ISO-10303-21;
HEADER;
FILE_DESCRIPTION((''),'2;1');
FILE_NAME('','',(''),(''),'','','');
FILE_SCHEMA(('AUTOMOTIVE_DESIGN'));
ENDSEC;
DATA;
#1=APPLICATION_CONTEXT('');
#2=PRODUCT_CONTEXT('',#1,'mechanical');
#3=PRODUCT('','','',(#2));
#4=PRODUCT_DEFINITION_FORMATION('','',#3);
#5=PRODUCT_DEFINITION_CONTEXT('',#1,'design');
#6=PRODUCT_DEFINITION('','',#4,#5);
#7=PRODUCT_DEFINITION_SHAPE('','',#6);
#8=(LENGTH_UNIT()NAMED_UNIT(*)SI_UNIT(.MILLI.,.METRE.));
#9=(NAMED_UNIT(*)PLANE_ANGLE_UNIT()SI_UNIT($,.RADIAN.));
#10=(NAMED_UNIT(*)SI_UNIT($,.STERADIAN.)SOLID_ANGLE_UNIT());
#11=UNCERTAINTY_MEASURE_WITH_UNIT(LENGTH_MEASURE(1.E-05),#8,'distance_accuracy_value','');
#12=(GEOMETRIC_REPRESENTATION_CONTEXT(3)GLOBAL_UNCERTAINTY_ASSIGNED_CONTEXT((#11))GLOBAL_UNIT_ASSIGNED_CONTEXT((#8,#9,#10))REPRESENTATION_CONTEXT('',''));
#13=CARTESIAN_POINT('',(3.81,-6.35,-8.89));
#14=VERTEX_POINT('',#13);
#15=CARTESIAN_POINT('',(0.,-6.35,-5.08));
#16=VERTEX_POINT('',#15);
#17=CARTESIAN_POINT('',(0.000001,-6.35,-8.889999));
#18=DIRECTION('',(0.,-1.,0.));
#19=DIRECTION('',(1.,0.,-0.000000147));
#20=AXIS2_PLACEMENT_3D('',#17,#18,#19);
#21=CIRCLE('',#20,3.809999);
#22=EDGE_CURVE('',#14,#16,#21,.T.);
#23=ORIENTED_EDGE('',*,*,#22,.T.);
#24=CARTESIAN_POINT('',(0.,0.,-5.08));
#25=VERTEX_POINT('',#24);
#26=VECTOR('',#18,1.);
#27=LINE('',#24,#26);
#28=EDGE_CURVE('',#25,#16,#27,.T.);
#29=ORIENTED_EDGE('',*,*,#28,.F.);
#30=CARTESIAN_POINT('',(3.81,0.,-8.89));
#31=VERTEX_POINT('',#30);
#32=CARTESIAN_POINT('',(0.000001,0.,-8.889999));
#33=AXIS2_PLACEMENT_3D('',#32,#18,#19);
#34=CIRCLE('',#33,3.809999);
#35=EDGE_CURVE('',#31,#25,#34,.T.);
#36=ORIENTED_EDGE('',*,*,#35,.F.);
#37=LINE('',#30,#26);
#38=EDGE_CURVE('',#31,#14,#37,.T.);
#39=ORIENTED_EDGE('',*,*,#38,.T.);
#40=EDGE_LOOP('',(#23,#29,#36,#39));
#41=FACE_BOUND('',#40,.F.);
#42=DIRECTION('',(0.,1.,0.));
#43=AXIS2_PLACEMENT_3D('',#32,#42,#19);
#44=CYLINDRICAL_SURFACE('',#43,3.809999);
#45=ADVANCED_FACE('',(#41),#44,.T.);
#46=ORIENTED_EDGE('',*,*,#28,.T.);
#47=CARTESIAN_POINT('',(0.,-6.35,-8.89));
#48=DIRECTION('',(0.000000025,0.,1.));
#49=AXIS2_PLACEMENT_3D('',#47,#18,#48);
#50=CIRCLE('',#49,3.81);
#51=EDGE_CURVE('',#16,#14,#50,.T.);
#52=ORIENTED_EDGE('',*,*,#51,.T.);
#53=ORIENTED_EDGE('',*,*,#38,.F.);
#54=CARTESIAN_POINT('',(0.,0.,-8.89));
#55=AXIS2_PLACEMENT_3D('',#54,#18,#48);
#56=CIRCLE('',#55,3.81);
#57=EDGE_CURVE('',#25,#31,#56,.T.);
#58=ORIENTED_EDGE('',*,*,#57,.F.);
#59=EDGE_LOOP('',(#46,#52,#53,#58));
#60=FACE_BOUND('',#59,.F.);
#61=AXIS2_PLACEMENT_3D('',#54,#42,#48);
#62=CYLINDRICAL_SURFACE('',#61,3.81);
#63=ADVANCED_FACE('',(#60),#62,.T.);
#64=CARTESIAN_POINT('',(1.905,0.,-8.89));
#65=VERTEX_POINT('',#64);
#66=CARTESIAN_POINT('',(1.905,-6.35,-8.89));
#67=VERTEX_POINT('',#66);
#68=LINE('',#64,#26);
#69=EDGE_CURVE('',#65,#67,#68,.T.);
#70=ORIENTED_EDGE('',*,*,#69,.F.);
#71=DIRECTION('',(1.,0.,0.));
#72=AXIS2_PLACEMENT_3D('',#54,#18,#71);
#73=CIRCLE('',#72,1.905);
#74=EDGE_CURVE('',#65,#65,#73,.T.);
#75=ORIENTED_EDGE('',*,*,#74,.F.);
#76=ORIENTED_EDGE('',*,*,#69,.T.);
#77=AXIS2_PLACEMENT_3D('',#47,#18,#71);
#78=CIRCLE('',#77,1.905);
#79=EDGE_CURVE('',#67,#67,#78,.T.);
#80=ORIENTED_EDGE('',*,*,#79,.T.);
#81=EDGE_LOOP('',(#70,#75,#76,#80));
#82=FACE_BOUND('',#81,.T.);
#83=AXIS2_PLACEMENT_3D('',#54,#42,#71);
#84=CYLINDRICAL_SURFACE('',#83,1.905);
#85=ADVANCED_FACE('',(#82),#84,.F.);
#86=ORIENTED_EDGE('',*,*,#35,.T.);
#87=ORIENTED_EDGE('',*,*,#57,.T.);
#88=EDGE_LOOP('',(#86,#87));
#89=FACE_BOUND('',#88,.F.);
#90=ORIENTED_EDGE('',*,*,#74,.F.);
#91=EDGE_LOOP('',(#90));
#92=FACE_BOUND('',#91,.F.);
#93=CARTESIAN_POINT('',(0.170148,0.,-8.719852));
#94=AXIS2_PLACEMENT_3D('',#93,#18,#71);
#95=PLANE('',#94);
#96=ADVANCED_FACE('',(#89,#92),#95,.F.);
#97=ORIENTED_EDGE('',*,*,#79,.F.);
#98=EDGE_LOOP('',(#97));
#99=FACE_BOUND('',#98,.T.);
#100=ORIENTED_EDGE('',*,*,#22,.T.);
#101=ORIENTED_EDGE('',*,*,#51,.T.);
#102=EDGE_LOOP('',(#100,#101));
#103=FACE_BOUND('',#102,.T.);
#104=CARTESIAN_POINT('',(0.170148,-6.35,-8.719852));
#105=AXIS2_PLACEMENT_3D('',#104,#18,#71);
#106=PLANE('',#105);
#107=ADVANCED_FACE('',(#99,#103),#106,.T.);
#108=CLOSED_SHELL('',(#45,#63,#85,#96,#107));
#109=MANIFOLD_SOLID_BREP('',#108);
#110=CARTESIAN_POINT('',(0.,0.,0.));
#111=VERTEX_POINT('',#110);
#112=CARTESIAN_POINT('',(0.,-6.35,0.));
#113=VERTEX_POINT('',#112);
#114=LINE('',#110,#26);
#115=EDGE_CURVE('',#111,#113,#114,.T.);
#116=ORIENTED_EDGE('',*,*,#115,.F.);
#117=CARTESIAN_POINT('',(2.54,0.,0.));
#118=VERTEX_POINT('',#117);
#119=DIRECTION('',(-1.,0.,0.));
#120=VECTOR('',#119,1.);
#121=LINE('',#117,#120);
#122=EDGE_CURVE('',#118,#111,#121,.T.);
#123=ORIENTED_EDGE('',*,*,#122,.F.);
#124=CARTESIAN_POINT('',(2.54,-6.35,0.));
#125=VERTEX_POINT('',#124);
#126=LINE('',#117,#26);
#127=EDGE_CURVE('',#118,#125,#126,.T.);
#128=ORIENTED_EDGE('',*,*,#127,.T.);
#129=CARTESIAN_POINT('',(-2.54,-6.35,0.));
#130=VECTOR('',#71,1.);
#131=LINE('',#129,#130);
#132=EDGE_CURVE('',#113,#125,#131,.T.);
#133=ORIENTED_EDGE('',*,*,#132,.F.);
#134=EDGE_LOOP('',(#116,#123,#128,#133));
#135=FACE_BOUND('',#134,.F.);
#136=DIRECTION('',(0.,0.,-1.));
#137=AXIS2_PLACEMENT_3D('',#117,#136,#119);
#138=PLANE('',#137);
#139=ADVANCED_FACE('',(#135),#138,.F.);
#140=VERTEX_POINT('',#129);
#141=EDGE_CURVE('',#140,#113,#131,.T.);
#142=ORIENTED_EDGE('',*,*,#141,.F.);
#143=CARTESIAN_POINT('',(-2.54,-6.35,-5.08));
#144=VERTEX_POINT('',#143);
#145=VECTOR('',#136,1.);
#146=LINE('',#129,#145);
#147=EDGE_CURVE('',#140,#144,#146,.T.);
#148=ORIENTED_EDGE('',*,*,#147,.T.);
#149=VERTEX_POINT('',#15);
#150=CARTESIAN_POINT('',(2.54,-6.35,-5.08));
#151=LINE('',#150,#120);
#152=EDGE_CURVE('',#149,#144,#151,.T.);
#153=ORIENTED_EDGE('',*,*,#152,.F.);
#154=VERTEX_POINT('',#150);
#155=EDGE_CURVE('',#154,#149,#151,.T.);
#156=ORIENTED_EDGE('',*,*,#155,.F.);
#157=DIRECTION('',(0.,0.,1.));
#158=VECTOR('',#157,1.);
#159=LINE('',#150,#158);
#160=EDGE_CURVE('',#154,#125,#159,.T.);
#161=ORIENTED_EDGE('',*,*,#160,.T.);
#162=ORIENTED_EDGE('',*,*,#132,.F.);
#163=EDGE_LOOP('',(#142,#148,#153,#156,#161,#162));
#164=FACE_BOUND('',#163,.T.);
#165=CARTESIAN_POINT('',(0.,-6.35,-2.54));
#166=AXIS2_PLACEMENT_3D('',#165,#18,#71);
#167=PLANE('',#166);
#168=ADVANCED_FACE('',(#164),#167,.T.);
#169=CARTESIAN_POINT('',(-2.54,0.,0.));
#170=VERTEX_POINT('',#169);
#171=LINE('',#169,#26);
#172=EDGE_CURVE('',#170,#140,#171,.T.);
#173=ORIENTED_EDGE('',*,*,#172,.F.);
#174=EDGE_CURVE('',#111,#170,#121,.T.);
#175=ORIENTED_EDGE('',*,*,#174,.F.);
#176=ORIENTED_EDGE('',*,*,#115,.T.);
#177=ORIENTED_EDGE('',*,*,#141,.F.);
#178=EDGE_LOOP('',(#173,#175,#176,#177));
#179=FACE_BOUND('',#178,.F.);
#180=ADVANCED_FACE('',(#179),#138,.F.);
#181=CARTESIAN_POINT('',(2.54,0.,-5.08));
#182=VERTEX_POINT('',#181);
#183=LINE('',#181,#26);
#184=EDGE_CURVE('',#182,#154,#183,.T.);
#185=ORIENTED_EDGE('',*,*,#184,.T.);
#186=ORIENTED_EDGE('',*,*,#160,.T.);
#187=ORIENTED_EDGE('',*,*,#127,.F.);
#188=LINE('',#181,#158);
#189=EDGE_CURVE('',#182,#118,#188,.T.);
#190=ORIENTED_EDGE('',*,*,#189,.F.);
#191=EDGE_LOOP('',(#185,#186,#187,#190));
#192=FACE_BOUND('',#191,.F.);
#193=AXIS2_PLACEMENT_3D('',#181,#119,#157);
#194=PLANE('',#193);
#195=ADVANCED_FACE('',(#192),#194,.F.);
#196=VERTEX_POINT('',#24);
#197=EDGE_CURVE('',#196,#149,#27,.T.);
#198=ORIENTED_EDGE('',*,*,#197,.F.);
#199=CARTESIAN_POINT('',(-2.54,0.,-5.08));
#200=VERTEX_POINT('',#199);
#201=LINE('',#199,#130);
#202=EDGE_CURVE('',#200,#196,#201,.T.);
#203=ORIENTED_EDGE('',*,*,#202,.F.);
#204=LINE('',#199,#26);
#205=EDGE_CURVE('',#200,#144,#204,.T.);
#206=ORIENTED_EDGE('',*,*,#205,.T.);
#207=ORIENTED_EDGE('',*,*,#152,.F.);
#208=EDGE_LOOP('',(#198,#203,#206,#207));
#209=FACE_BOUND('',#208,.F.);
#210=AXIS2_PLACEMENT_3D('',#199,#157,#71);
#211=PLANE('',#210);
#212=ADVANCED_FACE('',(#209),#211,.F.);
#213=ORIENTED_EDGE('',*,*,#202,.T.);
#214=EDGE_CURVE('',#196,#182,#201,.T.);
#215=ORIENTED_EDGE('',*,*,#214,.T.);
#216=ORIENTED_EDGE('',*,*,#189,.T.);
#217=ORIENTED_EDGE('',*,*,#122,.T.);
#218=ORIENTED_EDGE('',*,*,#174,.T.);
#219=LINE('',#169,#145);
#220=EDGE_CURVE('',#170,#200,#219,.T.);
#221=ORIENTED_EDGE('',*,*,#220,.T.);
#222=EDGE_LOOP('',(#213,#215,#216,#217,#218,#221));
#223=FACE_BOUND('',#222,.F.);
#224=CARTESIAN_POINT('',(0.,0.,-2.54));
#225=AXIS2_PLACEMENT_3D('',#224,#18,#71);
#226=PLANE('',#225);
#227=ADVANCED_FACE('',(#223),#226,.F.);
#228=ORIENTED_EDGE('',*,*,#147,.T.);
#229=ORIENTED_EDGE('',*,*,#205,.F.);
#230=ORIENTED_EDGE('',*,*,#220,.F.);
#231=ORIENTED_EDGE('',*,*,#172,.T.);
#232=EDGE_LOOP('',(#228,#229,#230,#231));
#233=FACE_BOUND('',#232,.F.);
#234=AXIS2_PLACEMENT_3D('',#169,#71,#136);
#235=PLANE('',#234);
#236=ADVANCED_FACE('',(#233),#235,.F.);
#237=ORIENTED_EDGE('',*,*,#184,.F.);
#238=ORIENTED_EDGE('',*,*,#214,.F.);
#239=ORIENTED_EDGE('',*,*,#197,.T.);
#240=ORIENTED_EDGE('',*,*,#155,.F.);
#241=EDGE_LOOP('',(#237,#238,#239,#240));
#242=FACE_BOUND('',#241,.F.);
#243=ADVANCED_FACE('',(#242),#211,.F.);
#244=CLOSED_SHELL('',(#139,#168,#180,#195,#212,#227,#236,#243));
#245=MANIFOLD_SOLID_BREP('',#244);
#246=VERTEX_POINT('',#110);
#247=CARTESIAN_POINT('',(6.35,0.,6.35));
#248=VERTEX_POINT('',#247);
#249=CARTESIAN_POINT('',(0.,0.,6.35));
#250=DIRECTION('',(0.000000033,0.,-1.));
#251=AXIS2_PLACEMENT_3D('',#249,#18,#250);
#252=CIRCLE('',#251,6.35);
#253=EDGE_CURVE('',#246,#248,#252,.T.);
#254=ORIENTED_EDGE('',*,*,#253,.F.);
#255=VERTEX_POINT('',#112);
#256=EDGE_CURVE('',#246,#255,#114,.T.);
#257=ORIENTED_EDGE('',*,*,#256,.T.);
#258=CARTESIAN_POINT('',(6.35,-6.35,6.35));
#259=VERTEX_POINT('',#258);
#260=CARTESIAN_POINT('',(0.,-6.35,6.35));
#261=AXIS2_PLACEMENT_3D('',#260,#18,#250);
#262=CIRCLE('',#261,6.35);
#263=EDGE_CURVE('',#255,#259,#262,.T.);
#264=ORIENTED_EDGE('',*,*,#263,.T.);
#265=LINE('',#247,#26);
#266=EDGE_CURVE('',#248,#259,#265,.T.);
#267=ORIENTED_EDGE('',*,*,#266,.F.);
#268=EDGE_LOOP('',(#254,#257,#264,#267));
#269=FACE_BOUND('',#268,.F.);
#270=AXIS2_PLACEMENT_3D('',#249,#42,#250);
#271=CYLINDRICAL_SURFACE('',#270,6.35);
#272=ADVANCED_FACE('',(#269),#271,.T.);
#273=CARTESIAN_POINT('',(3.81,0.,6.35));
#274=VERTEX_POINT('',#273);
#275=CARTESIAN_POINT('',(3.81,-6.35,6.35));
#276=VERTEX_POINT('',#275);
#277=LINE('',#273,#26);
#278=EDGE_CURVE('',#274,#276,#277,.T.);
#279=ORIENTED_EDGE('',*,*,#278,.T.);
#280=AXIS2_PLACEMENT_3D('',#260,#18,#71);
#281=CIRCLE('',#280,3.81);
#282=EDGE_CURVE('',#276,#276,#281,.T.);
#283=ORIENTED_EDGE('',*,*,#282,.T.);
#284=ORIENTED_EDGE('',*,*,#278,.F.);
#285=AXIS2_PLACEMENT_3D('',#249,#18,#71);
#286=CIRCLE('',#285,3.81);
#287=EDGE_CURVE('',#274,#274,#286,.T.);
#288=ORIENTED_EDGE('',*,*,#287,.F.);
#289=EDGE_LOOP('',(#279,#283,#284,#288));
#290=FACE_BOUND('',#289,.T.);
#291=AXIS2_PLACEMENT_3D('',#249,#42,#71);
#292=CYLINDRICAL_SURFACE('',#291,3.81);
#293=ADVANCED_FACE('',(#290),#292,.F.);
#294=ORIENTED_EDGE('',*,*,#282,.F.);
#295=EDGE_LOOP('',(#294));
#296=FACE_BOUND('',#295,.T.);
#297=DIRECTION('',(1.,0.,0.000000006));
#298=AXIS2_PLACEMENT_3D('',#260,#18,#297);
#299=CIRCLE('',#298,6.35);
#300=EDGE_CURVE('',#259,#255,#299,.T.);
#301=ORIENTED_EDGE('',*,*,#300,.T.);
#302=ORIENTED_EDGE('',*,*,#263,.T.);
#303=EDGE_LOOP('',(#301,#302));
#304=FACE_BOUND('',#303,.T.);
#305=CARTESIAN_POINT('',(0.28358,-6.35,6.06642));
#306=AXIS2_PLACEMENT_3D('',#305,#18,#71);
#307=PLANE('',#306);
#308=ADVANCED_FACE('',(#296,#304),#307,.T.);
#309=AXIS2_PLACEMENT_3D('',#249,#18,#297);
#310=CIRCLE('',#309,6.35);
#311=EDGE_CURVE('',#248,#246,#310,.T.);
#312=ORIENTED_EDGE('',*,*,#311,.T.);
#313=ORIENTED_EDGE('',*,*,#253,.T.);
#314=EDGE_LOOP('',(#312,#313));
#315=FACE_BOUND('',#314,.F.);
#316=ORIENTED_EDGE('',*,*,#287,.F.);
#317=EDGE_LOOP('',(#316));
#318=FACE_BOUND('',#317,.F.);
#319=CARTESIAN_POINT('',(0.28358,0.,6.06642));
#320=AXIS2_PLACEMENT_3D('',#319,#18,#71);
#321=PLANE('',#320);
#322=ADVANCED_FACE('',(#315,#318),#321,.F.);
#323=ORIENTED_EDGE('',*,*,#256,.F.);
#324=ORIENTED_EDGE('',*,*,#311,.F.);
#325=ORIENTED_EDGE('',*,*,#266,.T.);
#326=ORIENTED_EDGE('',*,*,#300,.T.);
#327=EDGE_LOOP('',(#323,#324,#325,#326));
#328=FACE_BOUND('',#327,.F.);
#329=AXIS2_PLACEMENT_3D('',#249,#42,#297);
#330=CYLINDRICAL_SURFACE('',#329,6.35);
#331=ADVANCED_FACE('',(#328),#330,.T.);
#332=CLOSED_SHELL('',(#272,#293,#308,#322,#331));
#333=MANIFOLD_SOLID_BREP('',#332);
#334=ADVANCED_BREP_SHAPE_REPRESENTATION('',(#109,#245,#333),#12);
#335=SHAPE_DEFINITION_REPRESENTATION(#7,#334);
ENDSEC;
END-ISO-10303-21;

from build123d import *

# Parameters (mm, degrees)
F0_R     = 1.905
F0_R_2   = 3.81
F1_DEPTH = 6.35


with BuildPart() as f1:
    # F0 (on Front) → F1 (new body)
    with BuildSketch(Plane.XZ):
        with BuildLine():
            ThreePointArc((0, -5.08), (-2.694077, -11.584077), (3.81, -8.89))
            ThreePointArc((3.81, -8.89), (2.694077, -6.195923), (0, -5.08))
        make_face()
        with Locations((0, -8.89)):
            Circle(F0_R, mode=Mode.SUBTRACT)
        Polygon((-2.54, -5.08), (0, -5.08), (2.54, -5.08), (2.54, 0), (0, 0), (-2.54, 0), align=None)
        with BuildLine():
            ThreePointArc((6.35, 6.35), (-4.490128, 10.840128), (0, 0))
            ThreePointArc((0, 0), (4.490128, 1.859872), (6.35, 6.35))
        make_face()
        with Locations((0, 6.35)):
            Circle(F0_R_2, mode=Mode.SUBTRACT)
    extrude(amount=F1_DEPTH)


solid = f1.part
